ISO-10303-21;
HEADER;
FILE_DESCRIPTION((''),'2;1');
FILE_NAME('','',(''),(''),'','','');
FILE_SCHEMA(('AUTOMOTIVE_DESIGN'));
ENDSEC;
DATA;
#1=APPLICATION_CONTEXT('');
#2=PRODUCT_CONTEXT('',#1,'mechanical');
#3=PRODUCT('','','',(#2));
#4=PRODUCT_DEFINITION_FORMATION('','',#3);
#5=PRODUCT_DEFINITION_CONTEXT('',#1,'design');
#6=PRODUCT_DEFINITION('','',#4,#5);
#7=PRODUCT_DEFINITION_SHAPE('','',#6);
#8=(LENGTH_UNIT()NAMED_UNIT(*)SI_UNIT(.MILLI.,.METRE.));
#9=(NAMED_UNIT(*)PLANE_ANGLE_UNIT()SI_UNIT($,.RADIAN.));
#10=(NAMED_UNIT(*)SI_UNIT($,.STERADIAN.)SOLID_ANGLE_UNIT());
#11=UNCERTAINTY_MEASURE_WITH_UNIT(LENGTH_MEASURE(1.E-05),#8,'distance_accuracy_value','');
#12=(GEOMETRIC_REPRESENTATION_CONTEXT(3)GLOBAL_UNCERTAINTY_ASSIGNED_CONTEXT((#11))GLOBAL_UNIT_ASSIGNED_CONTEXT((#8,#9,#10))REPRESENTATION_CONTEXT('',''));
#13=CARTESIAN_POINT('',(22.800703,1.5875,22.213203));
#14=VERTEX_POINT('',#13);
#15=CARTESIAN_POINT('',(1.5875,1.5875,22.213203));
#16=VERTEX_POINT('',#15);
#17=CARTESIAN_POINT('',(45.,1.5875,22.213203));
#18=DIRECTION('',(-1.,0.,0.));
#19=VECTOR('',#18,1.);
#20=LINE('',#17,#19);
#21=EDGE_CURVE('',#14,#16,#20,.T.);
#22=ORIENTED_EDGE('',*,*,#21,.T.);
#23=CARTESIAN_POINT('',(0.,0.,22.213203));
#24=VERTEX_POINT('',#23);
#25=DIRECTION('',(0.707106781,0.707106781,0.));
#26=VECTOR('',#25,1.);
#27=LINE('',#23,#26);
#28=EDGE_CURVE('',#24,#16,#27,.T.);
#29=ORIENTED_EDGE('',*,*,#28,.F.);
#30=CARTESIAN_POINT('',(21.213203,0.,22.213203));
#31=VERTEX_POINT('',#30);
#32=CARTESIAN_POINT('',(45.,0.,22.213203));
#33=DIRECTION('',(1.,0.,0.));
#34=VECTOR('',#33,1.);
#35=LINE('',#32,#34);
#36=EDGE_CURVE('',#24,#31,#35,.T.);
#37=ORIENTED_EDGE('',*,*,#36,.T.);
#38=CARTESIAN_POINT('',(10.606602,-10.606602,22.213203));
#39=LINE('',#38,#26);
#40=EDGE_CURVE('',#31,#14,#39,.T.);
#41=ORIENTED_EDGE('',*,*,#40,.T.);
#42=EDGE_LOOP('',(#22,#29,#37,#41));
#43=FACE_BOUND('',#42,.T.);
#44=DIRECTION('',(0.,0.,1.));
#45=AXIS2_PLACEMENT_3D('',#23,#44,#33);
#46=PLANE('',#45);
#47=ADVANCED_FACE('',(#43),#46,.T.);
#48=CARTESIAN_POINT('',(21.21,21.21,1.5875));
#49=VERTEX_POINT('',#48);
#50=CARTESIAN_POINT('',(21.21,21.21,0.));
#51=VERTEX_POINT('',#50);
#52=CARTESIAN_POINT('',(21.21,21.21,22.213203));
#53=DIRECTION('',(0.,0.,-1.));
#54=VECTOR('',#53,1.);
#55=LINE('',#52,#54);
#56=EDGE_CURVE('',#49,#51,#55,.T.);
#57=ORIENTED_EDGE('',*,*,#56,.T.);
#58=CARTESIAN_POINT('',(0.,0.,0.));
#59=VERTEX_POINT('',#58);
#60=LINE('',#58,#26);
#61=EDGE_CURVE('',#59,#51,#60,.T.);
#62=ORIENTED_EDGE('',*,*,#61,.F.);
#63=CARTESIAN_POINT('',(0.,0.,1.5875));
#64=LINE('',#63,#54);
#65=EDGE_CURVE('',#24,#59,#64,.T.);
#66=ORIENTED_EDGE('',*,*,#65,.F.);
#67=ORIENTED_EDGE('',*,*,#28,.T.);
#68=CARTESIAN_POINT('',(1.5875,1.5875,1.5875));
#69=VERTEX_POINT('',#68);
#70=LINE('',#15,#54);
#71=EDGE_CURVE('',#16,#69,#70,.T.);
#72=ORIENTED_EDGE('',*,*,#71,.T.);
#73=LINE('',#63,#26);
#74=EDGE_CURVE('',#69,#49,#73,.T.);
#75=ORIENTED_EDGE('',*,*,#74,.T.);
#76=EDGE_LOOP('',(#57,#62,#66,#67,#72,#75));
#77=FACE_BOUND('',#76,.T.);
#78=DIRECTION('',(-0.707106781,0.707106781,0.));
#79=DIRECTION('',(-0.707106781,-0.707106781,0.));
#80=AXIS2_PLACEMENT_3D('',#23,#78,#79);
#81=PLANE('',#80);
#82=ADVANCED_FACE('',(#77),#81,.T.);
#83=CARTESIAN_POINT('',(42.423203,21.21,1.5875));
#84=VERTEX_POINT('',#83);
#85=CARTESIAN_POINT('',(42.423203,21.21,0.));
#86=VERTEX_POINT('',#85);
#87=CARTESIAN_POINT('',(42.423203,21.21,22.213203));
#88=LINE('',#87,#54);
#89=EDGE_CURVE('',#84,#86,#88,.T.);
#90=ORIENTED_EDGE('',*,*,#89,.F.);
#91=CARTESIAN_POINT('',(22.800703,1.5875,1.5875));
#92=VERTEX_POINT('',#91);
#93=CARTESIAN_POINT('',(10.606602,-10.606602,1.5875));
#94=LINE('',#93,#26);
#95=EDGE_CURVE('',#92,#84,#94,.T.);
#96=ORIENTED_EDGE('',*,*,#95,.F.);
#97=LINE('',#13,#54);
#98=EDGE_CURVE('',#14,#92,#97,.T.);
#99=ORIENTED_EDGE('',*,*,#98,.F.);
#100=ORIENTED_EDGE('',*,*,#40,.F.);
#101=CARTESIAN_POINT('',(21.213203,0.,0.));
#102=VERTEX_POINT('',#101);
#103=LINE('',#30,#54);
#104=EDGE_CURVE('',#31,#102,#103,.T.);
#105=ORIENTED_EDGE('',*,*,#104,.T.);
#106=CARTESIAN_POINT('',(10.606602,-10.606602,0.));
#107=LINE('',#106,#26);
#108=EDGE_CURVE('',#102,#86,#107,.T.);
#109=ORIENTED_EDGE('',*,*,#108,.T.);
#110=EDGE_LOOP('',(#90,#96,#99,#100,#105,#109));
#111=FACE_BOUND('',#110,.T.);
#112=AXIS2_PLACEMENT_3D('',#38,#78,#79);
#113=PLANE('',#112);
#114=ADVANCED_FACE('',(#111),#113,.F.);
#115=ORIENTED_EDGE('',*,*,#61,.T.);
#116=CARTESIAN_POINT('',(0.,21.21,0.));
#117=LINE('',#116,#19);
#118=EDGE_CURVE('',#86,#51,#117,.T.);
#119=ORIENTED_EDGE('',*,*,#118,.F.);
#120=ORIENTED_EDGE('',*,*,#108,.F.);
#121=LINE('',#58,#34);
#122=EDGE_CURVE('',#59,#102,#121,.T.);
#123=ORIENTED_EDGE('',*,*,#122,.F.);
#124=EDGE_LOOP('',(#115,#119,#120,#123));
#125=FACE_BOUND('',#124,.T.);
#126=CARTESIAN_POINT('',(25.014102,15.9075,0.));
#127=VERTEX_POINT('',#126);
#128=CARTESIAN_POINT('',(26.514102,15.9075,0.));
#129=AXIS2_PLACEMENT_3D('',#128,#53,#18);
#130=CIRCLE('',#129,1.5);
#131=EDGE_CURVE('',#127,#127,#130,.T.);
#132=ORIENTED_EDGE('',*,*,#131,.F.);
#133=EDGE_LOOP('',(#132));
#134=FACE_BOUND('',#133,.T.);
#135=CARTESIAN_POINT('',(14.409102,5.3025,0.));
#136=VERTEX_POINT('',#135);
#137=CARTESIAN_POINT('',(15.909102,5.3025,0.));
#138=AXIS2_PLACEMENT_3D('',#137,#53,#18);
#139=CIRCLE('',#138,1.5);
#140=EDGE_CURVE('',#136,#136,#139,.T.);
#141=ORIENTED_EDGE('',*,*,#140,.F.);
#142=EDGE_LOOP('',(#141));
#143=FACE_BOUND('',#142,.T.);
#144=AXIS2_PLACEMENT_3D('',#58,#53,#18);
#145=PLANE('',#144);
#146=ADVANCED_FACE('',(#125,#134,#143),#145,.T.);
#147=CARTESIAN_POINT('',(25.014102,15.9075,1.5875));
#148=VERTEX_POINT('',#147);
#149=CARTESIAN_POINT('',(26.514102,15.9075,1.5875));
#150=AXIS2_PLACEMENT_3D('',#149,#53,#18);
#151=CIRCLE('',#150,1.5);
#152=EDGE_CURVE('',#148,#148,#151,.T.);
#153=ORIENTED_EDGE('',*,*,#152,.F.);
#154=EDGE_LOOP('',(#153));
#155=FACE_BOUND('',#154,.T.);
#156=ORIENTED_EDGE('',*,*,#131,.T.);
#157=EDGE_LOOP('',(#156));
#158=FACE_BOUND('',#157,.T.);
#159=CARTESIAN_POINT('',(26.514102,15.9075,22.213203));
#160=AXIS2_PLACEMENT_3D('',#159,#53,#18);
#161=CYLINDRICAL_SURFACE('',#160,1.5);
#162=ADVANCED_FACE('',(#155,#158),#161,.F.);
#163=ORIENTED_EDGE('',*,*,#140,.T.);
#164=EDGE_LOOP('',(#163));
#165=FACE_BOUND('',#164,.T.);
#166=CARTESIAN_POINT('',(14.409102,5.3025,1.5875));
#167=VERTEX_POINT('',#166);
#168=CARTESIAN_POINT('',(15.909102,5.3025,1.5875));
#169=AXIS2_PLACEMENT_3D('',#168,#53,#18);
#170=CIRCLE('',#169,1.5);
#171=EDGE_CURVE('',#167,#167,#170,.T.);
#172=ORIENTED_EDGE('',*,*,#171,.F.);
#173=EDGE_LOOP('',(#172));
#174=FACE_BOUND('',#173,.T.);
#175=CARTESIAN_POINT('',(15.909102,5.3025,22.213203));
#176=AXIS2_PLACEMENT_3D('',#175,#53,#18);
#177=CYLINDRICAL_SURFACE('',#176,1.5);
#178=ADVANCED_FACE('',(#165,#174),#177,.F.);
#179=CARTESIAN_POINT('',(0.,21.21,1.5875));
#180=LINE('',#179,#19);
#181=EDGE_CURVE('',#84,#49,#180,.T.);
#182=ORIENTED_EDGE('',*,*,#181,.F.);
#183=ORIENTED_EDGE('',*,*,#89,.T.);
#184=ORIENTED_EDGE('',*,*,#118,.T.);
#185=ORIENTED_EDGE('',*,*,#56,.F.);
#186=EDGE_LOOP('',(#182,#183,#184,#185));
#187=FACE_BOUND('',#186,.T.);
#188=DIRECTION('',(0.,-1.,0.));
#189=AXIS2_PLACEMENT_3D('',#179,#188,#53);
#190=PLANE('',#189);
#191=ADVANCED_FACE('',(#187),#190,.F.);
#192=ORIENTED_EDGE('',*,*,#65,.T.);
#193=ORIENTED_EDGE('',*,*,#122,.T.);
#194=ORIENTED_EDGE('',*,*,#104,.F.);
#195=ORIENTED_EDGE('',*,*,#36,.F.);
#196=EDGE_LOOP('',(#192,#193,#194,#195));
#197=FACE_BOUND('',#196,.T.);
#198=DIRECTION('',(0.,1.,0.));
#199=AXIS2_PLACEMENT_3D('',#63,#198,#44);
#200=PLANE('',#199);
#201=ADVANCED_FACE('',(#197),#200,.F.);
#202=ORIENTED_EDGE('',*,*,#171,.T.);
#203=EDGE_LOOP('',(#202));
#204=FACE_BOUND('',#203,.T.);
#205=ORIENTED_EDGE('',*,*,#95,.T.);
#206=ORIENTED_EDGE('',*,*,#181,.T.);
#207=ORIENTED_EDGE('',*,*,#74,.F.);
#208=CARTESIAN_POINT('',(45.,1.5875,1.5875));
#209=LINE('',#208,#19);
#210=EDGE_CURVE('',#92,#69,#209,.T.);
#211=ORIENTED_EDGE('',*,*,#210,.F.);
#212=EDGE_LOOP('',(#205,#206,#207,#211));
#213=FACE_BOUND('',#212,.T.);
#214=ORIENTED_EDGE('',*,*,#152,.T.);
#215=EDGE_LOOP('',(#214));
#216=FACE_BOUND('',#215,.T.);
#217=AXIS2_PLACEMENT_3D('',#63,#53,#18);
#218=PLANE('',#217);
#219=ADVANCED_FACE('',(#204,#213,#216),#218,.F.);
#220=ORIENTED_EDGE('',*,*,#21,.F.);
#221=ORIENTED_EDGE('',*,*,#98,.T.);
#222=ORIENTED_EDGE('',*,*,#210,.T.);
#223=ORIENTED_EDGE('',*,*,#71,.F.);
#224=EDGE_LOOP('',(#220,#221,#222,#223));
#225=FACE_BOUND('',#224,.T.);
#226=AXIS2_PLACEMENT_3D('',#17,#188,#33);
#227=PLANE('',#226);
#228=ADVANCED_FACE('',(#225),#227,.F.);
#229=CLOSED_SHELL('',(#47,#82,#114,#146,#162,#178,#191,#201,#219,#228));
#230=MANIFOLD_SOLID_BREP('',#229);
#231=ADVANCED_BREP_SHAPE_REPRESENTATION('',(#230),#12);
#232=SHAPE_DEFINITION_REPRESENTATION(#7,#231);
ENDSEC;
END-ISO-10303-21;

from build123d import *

# Parameters (mm, degrees)
SKETCH1_W           = 45
SKETCH1_H           = 21.21
BOSS_EXTRUDE1_DEPTH = 1.5875
SKETCH2_W           = 45
SKETCH2_H           = 1.5875
BOSS_EXTRUDE2_DEPTH = 20.62570344
CUT_EXTRUDE3_DEPTH  = 55.482020035
CUT_EXTRUDE4_DEPTH  = 53.373835995


with BuildPart() as part:
    # Sketch1 → Boss-Extrude1 (new body)
    with BuildSketch(Plane.XY):
        with Locations((22.5, 10.605)):
            Rectangle(SKETCH1_W, SKETCH1_H)
    extrude(amount=BOSS_EXTRUDE1_DEPTH)

    # Sketch2 → Boss-Extrude2 (add)
    with BuildSketch(Plane.XY.offset(1.5875)):
        with Locations((22.5, 0.79375)):
            Rectangle(SKETCH2_W, SKETCH2_H)
    extrude(amount=BOSS_EXTRUDE2_DEPTH)

    # Sketch5 → Cut-Extrude3 (cut, through all)
    with BuildSketch(Plane(origin=(0, 0, 0), x_dir=(-1, 0, 0), z_dir=(0, 0, -1))):
        Polygon((-21.21, 21.21), (0, 0), (0, 21.21), align=None)
        Polygon((-45, 0), (-21.213203436, 0), (-42.423203436, 21.21), (-45, 21.21), align=None)
    extrude(amount=-CUT_EXTRUDE3_DEPTH, mode=Mode.SUBTRACT)

    # Sketch4 → Cut-Extrude4 (cut, through all)
    with BuildSketch(Plane(origin=(0, 0, 0), x_dir=(-1, 0, 0), z_dir=(0, 0, -1))):
        with BuildLine():
            ThreePointArc((-14.409101718, 5.3025), (-15.335076569, 6.688319299), (-16.96976189, 6.363160172))
            Line((-16.96976189, 6.363160172), (-14.848441546, 4.241839828))
            ThreePointArc((-14.848441546, 4.241839828), (-14.523282419, 4.728474851), (-14.409101718, 5.3025))
        make_face()
        with BuildLine():
            Line((-14.848441546, 4.241839828), (-16.96976189, 6.363160172))
            ThreePointArc((-16.96976189, 6.363160172), (-16.96976189, 4.241839828), (-14.848441546, 4.241839828))
        make_face()
        with BuildLine():
            ThreePointArc((-25.014101718, 15.9075), (-25.940076569, 17.293319299), (-27.57476189, 16.968160172))
            Line((-27.57476189, 16.968160172), (-25.453441546, 14.846839828))
            ThreePointArc((-25.453441546, 14.846839828), (-25.128282419, 15.333474851), (-25.014101718, 15.9075))
        make_face()
        with BuildLine():
            Line((-25.453441546, 14.846839828), (-27.57476189, 16.968160172))
            ThreePointArc((-27.57476189, 16.968160172), (-27.57476189, 14.846839828), (-25.453441546, 14.846839828))
        make_face()
    extrude(amount=-CUT_EXTRUDE4_DEPTH, mode=Mode.SUBTRACT)


solid = part.part
